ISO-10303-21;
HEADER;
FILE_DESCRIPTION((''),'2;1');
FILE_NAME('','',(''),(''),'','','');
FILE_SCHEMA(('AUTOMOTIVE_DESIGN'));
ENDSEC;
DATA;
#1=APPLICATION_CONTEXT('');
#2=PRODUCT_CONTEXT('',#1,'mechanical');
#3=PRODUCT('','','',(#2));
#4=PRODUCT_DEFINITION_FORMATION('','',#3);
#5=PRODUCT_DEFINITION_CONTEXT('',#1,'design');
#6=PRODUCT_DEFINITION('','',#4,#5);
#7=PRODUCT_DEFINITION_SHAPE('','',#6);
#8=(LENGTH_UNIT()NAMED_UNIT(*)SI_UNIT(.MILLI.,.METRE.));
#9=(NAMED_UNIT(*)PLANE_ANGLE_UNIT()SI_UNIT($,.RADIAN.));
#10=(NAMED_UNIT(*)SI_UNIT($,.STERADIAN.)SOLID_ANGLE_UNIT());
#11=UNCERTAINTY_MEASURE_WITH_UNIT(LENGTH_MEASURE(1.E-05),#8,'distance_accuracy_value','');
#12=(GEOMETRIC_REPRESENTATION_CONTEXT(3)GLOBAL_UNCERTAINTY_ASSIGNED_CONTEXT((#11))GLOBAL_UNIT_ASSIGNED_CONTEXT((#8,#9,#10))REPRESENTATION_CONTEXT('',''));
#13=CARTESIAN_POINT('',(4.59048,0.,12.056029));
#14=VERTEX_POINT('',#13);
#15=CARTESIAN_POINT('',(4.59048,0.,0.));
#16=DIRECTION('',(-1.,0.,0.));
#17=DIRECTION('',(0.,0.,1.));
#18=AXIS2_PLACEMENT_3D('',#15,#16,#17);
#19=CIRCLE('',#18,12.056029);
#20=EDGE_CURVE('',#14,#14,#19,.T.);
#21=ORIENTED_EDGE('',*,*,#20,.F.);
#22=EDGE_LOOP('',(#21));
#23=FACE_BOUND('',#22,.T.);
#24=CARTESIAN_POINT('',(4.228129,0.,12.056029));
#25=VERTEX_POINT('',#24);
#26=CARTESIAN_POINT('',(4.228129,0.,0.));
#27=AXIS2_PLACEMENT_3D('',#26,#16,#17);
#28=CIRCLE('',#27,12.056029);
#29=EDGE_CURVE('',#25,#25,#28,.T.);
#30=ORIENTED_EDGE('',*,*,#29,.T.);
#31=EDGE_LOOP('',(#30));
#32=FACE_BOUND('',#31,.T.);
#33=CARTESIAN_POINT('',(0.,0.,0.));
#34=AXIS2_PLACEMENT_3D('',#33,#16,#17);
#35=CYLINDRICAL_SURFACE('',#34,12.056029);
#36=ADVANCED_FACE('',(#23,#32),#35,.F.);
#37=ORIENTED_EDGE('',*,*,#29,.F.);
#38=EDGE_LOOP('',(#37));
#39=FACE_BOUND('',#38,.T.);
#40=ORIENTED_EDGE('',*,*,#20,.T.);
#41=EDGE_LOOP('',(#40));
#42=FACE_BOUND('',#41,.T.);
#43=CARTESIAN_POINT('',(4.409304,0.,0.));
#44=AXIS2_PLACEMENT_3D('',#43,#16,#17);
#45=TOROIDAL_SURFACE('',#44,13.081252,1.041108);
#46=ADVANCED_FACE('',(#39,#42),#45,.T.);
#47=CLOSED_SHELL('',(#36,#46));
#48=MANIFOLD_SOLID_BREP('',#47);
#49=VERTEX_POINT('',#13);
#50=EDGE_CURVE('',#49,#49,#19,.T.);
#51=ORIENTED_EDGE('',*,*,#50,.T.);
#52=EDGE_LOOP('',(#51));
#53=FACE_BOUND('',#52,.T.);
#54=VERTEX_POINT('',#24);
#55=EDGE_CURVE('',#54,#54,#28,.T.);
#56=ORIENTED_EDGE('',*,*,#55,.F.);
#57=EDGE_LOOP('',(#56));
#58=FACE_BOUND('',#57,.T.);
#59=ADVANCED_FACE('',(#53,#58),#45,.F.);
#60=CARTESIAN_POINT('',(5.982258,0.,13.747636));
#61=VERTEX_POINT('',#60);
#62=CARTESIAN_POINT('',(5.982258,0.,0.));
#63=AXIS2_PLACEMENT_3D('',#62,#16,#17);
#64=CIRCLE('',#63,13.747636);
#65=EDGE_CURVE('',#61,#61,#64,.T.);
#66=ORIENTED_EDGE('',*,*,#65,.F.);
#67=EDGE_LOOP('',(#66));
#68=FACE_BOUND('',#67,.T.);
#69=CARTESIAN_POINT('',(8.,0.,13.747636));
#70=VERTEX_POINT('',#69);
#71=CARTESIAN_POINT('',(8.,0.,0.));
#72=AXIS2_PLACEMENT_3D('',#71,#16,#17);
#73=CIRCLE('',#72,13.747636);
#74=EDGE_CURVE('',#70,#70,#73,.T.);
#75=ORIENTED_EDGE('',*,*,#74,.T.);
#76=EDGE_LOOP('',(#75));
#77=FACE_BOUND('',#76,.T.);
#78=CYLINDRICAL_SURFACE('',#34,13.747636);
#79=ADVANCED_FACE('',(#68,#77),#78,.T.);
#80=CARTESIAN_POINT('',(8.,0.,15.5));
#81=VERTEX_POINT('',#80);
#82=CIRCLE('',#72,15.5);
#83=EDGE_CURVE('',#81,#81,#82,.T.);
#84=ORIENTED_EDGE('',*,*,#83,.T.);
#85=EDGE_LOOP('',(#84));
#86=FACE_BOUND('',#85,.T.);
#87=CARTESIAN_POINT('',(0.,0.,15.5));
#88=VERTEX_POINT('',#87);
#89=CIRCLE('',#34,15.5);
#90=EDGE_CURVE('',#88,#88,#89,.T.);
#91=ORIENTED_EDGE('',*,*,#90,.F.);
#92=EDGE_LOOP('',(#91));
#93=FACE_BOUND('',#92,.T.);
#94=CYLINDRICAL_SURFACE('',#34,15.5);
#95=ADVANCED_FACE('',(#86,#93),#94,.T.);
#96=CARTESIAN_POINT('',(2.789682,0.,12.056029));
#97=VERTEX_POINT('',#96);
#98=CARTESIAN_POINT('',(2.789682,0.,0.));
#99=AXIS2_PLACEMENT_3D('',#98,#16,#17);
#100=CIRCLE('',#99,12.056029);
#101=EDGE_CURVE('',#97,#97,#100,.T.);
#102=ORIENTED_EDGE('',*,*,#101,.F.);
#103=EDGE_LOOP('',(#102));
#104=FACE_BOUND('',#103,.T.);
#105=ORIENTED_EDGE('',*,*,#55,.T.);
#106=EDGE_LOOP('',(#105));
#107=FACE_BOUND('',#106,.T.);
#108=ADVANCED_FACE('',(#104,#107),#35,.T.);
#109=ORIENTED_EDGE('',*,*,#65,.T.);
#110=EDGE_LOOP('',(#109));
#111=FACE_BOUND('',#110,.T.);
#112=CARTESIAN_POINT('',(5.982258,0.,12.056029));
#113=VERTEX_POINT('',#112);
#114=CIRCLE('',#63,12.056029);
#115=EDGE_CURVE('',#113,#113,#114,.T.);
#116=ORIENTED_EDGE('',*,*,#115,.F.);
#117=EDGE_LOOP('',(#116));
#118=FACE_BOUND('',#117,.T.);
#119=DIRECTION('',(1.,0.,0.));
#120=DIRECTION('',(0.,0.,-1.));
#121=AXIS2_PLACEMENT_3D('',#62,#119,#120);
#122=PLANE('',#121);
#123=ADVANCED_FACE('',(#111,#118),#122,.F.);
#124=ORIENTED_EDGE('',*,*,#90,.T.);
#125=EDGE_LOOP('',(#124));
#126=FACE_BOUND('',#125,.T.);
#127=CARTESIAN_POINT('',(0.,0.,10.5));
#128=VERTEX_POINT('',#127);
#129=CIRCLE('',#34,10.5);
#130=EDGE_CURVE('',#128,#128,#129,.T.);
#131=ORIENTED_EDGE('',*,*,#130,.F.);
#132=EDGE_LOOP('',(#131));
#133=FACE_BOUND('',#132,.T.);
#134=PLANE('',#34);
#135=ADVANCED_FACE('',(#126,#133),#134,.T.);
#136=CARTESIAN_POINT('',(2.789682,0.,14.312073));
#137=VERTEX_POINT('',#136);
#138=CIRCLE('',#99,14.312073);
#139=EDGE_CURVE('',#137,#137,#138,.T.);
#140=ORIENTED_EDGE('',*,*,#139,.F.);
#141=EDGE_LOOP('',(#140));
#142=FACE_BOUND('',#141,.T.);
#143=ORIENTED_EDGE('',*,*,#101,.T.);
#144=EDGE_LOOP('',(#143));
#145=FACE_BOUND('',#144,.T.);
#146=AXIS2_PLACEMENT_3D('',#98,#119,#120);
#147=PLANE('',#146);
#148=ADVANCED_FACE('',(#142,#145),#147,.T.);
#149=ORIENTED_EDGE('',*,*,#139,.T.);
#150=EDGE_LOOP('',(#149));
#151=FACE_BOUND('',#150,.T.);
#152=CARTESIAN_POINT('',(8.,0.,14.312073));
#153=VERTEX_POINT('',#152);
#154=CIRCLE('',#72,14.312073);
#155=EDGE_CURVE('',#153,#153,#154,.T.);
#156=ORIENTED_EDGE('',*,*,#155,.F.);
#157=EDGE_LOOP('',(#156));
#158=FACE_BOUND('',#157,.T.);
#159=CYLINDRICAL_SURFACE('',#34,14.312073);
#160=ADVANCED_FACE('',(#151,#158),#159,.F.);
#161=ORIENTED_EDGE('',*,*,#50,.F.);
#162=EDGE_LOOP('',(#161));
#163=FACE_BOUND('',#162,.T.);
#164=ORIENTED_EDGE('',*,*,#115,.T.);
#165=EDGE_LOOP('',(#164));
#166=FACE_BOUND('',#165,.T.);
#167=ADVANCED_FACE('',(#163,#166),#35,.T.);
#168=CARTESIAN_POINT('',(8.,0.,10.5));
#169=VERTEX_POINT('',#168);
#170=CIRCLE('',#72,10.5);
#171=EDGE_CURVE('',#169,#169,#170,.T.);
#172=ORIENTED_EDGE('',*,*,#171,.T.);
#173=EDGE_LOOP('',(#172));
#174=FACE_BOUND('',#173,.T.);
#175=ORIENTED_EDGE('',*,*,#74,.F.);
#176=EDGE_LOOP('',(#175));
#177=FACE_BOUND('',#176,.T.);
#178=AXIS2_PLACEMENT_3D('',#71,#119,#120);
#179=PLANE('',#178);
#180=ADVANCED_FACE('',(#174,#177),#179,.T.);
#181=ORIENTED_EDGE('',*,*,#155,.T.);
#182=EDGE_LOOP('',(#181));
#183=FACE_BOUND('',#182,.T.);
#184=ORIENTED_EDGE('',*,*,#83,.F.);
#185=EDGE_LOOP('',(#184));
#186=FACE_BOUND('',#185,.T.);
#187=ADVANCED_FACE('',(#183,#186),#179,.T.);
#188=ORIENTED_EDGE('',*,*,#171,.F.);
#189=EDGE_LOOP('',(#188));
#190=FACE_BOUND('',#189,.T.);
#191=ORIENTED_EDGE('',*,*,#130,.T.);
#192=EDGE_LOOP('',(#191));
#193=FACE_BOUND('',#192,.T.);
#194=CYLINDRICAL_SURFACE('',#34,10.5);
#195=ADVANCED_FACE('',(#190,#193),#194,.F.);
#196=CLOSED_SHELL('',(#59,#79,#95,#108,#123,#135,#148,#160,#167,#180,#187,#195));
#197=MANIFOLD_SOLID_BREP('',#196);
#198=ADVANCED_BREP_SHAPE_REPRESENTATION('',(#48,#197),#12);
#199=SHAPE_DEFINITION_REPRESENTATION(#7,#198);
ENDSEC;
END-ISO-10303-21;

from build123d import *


with BuildPart() as part:
    # 草图1 → 旋转2 (revolve)
    with BuildSketch(Plane.XY, mode=Mode.PRIVATE) as revolve_2_sk:
        with BuildLine():
            Line((0, 15.5), (0, 10.5))
            Line((0, 10.5), (8, 10.5))
            Line((8, 10.5), (8, 13.74763638))
            Line((8, 13.74763638), (5.982258283, 13.74763638))
            Line((5.982258283, 13.74763638), (5.982258283, 12.056029289))
            Line((5.982258283, 12.056029289), (4.590479573, 12.056029289))
            ThreePointArc((4.590479573, 12.056029289), (4.409304115, 12.040143863), (4.228128656, 12.056029289))
            Line((4.228128656, 12.056029289), (2.789681799, 12.056029289))
            Line((2.789681799, 12.056029289), (2.789681799, 14.312073179))
            Line((2.789681799, 14.312073179), (8, 14.312073179))
            Line((8, 14.312073179), (8, 15.5))
            Line((8, 15.5), (0, 15.5))
        make_face()
        with BuildLine():
            Line((4.228128656, 12.056029289), (4.590479573, 12.056029289))
            ThreePointArc((4.590479573, 12.056029289), (4.409304115, 14.122360164), (4.228128656, 12.056029289))
        make_face()
    revolve(revolve_2_sk.sketch.rotate(Axis((0, 0, 0), (1, 0, 0)), 90), axis=Axis((0, 0, 0), (1, 0, 0)))


solid = part.part
